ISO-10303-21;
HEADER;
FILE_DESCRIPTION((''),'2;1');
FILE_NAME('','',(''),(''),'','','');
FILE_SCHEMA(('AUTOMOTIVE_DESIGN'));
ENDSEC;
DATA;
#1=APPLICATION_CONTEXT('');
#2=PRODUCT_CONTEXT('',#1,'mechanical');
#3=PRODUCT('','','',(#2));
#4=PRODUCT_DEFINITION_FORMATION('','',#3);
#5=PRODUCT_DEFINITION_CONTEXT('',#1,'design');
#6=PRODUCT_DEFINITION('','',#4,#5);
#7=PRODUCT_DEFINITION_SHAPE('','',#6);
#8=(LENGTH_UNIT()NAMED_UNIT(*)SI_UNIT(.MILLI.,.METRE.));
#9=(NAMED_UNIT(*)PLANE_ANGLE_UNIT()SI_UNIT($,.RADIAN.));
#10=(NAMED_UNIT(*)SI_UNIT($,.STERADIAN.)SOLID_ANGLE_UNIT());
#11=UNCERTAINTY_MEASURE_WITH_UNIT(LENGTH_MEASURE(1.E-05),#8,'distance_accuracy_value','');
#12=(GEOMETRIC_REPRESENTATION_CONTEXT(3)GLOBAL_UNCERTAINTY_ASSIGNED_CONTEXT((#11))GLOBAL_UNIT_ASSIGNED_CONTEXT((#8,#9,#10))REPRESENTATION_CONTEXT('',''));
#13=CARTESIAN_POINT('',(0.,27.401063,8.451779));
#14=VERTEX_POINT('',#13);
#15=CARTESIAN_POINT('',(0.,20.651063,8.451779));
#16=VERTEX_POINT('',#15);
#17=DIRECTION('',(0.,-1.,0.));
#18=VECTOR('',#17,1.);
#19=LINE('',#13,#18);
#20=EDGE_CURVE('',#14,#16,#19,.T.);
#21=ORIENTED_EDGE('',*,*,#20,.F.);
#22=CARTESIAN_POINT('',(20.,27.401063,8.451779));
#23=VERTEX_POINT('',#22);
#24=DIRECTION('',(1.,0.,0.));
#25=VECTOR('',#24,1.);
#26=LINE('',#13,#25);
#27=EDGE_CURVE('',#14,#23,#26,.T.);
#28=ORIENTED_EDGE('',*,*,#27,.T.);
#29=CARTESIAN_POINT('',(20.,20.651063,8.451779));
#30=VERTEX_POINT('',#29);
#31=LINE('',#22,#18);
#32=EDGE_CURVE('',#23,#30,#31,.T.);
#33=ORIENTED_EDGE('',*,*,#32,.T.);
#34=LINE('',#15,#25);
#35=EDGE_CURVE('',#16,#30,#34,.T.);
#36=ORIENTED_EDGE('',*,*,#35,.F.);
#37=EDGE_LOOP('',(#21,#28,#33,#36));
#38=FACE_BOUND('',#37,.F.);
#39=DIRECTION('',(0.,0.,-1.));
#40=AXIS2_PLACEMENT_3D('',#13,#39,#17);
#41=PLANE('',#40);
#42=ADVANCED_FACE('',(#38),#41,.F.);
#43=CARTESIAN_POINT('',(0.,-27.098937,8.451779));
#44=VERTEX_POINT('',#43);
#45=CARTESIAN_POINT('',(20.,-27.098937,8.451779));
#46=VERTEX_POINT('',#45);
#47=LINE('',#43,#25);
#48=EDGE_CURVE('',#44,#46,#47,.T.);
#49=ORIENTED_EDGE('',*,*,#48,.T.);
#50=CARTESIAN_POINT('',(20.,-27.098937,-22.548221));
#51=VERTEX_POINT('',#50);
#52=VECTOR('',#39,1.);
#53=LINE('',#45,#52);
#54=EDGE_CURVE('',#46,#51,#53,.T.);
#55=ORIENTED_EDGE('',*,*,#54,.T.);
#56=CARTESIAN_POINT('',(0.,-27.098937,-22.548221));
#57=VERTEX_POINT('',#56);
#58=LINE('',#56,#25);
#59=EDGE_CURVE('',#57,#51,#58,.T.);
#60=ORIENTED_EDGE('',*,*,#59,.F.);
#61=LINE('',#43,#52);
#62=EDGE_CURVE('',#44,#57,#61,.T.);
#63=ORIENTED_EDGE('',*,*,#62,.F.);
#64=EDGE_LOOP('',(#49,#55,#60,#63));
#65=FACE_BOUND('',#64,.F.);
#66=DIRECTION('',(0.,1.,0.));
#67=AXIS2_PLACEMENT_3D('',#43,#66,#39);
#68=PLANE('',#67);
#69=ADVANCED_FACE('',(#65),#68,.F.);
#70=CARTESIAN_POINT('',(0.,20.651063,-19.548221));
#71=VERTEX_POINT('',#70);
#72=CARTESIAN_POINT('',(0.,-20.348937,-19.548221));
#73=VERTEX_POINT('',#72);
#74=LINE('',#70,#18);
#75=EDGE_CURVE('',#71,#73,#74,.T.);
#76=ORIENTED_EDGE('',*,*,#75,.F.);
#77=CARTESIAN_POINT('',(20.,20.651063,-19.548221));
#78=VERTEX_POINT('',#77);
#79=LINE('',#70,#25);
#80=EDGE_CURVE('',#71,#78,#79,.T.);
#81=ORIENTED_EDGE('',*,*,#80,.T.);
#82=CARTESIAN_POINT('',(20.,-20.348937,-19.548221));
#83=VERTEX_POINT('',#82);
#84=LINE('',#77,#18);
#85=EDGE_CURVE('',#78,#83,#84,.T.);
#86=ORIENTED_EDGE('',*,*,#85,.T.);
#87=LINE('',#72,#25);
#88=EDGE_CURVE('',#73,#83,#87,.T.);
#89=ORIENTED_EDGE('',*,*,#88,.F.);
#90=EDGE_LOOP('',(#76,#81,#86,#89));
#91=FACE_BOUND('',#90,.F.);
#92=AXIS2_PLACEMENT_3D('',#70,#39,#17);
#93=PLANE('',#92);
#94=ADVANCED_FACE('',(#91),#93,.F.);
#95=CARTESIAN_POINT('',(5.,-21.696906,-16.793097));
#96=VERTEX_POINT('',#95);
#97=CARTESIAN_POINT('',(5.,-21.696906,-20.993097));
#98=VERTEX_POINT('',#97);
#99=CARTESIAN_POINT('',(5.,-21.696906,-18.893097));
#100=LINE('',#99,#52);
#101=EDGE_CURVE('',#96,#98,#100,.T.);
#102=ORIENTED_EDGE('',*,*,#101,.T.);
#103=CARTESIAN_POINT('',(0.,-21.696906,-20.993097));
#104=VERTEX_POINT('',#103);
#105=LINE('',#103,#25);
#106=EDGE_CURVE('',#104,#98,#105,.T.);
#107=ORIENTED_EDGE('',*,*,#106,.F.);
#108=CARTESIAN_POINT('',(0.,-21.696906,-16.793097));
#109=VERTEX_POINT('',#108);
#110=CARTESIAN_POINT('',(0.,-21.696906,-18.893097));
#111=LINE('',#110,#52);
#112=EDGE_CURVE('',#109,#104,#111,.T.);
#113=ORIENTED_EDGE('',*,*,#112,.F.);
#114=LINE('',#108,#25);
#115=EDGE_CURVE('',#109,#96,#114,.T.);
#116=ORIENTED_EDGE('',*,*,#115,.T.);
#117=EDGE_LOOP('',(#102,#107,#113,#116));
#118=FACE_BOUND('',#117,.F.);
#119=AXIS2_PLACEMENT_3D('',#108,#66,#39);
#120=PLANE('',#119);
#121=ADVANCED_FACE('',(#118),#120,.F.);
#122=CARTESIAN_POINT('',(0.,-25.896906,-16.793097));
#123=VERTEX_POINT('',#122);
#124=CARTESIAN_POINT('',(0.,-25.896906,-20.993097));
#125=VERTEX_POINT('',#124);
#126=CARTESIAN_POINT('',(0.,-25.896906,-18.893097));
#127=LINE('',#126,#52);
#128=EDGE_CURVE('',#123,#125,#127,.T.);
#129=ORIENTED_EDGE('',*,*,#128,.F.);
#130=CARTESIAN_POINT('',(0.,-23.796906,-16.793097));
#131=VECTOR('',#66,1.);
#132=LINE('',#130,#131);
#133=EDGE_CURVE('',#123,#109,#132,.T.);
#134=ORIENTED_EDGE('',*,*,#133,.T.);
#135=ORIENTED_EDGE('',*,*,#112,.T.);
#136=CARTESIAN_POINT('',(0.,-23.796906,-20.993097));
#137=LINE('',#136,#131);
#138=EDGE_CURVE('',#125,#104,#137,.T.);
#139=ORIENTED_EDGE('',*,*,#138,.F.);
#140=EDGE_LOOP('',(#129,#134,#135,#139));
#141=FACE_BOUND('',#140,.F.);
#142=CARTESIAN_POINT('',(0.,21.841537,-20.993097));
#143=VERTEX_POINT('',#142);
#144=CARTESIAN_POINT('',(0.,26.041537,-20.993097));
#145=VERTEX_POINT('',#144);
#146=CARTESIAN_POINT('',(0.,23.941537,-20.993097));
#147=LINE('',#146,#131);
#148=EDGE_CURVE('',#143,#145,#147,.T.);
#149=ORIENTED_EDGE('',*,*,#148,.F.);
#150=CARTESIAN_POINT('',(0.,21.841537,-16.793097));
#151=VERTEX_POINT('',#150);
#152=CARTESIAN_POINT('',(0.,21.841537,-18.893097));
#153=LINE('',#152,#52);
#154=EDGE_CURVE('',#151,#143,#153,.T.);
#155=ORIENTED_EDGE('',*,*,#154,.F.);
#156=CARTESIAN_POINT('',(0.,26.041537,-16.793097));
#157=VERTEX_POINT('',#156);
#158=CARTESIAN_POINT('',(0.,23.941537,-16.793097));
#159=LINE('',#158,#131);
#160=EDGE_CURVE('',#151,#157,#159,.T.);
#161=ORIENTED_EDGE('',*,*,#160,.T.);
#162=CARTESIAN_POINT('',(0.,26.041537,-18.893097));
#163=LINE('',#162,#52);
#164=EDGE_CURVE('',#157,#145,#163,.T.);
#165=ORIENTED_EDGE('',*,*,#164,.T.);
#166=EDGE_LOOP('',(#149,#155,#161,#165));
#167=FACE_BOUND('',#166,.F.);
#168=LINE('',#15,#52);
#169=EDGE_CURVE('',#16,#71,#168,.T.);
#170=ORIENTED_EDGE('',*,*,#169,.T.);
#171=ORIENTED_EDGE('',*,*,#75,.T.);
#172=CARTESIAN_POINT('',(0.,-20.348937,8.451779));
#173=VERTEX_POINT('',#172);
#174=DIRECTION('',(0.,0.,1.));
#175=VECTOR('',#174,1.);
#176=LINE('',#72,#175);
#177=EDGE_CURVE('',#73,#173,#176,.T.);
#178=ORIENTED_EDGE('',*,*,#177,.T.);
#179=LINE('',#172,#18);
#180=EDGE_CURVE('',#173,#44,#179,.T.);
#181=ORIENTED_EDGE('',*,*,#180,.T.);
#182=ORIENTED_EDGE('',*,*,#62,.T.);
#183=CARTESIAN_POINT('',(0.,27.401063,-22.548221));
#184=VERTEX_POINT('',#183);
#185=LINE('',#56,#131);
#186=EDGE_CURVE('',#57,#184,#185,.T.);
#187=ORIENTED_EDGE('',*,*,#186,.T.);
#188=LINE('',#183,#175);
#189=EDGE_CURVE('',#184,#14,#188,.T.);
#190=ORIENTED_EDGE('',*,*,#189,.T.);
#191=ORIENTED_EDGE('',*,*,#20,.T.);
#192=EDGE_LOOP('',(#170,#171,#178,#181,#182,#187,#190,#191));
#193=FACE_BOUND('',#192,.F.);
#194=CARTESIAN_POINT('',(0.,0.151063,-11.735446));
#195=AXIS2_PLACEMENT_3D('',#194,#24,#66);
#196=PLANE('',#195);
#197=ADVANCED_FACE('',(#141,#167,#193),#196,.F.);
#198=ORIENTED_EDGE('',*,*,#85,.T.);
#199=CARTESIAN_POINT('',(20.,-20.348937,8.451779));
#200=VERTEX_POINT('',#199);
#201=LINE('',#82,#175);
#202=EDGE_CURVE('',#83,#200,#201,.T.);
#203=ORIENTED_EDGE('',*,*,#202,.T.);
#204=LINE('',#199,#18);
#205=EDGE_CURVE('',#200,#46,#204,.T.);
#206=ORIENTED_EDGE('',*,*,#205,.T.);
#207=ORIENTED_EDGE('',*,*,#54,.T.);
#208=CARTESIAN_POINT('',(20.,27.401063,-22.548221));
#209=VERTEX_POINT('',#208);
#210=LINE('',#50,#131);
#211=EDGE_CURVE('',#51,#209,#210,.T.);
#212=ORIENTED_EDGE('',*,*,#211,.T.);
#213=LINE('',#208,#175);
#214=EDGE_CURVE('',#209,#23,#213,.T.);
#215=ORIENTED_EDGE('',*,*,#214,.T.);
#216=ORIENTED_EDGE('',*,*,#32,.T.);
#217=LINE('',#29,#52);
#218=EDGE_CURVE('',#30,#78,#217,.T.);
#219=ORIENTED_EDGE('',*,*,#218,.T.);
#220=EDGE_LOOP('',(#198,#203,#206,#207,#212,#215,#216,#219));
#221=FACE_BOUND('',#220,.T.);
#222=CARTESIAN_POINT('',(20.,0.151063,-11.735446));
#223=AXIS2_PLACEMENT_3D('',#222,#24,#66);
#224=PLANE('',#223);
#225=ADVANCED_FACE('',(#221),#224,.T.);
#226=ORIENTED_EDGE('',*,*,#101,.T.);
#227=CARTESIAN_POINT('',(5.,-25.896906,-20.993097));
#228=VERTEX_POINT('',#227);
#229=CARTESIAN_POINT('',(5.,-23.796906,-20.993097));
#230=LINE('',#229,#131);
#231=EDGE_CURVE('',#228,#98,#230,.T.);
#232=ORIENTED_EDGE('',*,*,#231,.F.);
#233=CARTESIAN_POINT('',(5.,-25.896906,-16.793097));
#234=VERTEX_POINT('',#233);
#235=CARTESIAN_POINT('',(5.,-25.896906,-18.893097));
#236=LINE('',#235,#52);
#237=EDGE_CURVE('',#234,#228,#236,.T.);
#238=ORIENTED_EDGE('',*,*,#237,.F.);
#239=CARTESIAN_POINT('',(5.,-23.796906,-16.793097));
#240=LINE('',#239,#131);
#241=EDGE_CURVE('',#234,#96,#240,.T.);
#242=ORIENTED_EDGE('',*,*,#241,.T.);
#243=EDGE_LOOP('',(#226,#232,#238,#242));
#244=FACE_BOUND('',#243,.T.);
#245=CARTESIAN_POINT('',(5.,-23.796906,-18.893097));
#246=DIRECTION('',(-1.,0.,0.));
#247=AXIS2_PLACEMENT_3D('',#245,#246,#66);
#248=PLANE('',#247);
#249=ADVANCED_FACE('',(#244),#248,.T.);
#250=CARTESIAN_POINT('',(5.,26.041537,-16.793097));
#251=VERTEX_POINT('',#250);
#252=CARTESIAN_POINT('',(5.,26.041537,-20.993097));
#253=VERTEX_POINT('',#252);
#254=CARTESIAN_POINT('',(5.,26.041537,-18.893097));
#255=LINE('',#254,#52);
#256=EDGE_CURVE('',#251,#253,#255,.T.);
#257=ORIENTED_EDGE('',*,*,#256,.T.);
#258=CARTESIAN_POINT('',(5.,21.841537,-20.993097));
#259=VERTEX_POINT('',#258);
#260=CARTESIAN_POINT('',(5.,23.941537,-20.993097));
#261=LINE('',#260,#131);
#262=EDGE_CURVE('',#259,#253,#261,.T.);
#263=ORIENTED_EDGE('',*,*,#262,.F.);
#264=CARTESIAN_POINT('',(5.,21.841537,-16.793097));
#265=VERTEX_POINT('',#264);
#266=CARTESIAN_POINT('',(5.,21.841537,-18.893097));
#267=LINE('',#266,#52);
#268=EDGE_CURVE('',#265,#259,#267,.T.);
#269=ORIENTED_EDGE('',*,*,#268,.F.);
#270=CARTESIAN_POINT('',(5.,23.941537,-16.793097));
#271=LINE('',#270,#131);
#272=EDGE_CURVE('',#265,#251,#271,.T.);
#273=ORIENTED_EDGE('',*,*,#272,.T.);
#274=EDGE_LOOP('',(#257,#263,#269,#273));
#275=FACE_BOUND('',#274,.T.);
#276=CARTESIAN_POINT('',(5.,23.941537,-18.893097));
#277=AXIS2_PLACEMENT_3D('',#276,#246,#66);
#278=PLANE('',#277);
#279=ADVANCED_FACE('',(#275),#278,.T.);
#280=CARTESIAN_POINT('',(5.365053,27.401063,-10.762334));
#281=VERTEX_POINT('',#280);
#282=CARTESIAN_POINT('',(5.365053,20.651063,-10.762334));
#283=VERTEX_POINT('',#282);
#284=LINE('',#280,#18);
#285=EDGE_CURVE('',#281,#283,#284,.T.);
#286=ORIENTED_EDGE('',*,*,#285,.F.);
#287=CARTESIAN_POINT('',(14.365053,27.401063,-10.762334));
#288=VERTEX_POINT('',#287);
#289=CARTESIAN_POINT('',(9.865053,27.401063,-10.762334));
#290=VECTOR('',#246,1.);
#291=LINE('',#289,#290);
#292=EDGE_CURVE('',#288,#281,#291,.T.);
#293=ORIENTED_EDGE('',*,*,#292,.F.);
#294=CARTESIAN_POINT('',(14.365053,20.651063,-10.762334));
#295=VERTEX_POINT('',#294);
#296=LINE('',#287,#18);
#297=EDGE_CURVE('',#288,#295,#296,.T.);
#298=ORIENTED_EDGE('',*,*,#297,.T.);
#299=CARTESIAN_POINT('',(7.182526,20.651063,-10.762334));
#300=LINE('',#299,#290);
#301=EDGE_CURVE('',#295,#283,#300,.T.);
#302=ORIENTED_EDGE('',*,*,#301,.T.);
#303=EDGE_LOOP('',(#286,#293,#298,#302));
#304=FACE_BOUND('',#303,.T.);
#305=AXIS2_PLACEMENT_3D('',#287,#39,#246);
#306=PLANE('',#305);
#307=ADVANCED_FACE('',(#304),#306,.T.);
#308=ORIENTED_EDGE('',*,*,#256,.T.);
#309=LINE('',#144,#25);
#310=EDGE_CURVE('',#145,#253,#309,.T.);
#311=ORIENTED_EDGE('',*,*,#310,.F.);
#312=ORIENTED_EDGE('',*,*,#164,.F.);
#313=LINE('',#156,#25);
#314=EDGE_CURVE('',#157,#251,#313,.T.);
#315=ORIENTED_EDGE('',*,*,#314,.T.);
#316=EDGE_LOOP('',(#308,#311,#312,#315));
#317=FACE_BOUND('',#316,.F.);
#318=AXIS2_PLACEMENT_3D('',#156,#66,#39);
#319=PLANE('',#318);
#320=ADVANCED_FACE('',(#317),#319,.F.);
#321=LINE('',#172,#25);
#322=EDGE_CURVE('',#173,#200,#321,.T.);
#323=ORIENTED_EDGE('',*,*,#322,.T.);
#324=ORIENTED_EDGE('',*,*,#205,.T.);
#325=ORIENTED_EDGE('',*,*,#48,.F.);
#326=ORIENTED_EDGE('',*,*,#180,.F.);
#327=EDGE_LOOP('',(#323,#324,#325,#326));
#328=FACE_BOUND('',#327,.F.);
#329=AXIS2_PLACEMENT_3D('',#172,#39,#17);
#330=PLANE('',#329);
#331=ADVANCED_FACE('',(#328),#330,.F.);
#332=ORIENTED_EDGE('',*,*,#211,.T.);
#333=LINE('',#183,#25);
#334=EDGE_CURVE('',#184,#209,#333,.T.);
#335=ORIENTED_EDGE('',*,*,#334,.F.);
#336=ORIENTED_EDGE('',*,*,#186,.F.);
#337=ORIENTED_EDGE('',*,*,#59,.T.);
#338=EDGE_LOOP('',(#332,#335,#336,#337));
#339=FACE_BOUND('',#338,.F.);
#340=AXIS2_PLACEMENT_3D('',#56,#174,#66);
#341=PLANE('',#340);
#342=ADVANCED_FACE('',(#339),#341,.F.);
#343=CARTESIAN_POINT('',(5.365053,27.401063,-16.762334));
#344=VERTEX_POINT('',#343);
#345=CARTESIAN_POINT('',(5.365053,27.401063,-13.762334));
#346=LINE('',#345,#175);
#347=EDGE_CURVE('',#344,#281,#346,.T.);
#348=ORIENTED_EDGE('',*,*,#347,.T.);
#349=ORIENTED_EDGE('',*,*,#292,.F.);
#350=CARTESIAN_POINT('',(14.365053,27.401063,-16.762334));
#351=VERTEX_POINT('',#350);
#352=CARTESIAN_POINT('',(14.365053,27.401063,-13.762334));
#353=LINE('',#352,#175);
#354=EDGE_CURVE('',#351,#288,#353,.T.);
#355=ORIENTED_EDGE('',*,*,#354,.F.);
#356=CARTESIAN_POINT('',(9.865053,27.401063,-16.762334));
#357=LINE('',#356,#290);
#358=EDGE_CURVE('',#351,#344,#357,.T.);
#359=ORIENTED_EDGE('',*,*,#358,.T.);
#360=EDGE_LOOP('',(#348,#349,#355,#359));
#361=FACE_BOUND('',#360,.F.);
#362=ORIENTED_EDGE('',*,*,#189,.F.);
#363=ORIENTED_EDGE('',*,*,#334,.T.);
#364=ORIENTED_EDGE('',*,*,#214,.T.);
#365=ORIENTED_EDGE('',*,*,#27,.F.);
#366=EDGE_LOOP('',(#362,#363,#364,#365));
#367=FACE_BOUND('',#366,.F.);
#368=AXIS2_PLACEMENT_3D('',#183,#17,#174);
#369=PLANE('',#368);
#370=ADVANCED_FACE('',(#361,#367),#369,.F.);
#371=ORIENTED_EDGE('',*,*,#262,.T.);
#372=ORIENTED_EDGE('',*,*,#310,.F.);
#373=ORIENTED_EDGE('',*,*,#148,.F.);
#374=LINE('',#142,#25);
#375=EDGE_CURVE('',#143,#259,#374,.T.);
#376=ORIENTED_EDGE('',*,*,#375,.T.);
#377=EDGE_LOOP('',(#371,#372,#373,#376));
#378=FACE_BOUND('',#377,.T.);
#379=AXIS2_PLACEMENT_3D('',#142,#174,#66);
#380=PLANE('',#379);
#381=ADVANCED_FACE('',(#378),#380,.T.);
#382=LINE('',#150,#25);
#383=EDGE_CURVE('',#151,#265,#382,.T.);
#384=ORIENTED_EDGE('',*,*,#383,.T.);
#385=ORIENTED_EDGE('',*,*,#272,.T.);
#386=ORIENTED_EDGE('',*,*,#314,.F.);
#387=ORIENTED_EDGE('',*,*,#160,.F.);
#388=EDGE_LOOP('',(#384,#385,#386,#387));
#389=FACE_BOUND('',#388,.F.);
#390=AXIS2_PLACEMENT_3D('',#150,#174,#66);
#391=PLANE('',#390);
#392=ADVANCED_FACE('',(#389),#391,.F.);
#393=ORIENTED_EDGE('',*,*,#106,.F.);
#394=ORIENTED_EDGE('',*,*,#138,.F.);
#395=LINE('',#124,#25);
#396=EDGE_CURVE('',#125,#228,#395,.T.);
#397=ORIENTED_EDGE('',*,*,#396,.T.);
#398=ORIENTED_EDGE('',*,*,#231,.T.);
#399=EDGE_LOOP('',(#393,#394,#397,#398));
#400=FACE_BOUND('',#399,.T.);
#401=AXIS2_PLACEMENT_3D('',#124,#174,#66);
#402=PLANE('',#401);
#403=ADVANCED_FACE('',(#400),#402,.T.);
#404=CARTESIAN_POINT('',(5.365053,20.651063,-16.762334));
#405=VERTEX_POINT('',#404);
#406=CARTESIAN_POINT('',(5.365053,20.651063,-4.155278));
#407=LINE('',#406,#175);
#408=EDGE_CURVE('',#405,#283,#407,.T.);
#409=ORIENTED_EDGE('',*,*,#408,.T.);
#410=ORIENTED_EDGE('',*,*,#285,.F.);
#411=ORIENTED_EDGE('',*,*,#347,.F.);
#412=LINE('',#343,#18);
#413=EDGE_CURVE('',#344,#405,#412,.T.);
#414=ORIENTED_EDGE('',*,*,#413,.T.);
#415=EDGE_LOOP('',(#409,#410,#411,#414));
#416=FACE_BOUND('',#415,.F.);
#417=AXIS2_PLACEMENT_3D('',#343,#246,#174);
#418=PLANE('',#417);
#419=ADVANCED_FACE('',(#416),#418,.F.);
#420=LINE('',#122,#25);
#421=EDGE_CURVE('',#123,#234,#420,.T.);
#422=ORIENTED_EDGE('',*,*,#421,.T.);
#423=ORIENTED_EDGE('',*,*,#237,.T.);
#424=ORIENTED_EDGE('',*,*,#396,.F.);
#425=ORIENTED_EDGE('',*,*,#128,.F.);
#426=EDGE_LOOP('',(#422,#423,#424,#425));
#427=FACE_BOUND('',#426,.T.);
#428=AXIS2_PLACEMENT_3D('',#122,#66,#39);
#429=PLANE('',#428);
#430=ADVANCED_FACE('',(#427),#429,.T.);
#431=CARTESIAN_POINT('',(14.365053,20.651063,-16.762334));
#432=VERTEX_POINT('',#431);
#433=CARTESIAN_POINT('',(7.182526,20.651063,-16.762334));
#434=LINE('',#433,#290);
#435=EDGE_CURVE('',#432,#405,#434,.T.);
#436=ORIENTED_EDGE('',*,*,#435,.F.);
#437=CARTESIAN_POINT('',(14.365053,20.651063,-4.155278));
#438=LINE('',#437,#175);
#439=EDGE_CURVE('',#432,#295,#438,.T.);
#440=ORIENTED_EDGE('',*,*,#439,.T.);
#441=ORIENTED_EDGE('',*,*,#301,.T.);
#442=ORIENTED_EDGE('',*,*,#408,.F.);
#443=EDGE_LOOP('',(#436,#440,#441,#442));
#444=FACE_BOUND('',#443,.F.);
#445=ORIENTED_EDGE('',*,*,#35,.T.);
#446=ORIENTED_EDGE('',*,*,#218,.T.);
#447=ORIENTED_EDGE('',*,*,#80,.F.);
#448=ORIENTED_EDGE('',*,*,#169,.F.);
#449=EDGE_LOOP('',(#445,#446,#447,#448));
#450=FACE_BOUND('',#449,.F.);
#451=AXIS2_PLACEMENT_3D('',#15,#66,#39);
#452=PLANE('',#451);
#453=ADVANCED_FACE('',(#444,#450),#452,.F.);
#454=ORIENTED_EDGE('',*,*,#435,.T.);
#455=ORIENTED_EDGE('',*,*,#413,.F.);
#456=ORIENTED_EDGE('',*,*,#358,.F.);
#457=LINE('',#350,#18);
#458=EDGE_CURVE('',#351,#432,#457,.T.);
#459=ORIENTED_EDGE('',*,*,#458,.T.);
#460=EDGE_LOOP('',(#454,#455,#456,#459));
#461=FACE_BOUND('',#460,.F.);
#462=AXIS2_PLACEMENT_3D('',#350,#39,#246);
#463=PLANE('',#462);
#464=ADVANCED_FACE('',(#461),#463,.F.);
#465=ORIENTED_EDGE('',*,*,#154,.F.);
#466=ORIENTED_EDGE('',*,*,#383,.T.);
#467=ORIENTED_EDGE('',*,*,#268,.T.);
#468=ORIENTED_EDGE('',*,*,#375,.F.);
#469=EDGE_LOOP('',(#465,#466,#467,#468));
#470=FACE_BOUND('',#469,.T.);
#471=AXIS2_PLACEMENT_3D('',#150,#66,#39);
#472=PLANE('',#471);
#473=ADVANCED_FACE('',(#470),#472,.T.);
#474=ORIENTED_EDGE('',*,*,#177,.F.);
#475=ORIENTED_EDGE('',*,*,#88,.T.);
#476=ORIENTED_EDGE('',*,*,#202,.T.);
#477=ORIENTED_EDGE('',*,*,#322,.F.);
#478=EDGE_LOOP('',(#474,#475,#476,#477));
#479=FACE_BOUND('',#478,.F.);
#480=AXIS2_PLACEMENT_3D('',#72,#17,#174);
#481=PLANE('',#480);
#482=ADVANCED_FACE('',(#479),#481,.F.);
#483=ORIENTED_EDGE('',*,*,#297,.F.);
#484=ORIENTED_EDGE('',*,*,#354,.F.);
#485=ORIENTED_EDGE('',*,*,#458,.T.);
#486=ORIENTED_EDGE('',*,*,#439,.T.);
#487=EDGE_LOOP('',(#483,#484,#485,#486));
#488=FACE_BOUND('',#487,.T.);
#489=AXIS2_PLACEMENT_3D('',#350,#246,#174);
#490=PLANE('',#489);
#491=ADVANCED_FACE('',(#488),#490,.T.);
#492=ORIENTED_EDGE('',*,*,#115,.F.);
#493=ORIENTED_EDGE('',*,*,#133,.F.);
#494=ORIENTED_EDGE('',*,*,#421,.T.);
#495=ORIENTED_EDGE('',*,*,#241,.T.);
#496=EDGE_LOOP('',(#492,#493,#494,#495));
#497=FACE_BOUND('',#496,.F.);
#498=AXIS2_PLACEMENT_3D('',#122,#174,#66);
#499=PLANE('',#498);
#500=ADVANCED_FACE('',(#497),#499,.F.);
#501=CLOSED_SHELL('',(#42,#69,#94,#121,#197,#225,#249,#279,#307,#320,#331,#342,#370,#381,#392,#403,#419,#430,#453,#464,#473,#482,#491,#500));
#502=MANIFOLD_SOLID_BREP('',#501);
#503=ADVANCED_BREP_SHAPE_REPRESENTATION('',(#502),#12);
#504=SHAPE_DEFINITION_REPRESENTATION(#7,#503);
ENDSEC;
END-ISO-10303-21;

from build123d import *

# Parameters (mm, degrees)
PAD_DEPTH       = 20
SKETCH001_W     = 9
SKETCH001_H     = 6
POCKET_DEPTH    = 8
SKETCH002_W     = 4.2
SKETCH002_H     = 4.2
POCKET001_DEPTH = 5


with BuildPart() as part:
    # Sketch → Pad (new body)
    with BuildSketch(Plane.YZ):
        Polygon((-27.098937, -22.548221), (27.401063, -22.548221), (27.401063, 8.451779), (20.651063, 8.451779), (20.651063, -19.548221), (-20.348937, -19.548221), (-20.348937, 8.451779), (-27.098937, 8.451779), align=None)
    extrude(amount=PAD_DEPTH)

    # Sketch001 → Pocket (cut)
    with BuildSketch(Plane(origin=(0, 27.401063, 0), x_dir=(-1, 0, 0), z_dir=(0, 1, 0))):
        with Locations((-9.865053, -13.762334)):
            Rectangle(SKETCH001_W, SKETCH001_H)
    extrude(amount=-POCKET_DEPTH, mode=Mode.SUBTRACT)

    # Sketch002 (on Face4 of Pocket) → Pocket001 (cut)
    with BuildSketch(Plane(origin=(0, 0, 0), x_dir=(0, 1, 0), z_dir=(-1, 0, 0))):
        with Locations((-23.796906, 18.893097)):
            Rectangle(SKETCH002_W, SKETCH002_H)
        with Locations((23.941537, 18.893097)):
            Rectangle(SKETCH002_W, SKETCH002_H)
    extrude(amount=-POCKET001_DEPTH, mode=Mode.SUBTRACT)


solid = part.part
